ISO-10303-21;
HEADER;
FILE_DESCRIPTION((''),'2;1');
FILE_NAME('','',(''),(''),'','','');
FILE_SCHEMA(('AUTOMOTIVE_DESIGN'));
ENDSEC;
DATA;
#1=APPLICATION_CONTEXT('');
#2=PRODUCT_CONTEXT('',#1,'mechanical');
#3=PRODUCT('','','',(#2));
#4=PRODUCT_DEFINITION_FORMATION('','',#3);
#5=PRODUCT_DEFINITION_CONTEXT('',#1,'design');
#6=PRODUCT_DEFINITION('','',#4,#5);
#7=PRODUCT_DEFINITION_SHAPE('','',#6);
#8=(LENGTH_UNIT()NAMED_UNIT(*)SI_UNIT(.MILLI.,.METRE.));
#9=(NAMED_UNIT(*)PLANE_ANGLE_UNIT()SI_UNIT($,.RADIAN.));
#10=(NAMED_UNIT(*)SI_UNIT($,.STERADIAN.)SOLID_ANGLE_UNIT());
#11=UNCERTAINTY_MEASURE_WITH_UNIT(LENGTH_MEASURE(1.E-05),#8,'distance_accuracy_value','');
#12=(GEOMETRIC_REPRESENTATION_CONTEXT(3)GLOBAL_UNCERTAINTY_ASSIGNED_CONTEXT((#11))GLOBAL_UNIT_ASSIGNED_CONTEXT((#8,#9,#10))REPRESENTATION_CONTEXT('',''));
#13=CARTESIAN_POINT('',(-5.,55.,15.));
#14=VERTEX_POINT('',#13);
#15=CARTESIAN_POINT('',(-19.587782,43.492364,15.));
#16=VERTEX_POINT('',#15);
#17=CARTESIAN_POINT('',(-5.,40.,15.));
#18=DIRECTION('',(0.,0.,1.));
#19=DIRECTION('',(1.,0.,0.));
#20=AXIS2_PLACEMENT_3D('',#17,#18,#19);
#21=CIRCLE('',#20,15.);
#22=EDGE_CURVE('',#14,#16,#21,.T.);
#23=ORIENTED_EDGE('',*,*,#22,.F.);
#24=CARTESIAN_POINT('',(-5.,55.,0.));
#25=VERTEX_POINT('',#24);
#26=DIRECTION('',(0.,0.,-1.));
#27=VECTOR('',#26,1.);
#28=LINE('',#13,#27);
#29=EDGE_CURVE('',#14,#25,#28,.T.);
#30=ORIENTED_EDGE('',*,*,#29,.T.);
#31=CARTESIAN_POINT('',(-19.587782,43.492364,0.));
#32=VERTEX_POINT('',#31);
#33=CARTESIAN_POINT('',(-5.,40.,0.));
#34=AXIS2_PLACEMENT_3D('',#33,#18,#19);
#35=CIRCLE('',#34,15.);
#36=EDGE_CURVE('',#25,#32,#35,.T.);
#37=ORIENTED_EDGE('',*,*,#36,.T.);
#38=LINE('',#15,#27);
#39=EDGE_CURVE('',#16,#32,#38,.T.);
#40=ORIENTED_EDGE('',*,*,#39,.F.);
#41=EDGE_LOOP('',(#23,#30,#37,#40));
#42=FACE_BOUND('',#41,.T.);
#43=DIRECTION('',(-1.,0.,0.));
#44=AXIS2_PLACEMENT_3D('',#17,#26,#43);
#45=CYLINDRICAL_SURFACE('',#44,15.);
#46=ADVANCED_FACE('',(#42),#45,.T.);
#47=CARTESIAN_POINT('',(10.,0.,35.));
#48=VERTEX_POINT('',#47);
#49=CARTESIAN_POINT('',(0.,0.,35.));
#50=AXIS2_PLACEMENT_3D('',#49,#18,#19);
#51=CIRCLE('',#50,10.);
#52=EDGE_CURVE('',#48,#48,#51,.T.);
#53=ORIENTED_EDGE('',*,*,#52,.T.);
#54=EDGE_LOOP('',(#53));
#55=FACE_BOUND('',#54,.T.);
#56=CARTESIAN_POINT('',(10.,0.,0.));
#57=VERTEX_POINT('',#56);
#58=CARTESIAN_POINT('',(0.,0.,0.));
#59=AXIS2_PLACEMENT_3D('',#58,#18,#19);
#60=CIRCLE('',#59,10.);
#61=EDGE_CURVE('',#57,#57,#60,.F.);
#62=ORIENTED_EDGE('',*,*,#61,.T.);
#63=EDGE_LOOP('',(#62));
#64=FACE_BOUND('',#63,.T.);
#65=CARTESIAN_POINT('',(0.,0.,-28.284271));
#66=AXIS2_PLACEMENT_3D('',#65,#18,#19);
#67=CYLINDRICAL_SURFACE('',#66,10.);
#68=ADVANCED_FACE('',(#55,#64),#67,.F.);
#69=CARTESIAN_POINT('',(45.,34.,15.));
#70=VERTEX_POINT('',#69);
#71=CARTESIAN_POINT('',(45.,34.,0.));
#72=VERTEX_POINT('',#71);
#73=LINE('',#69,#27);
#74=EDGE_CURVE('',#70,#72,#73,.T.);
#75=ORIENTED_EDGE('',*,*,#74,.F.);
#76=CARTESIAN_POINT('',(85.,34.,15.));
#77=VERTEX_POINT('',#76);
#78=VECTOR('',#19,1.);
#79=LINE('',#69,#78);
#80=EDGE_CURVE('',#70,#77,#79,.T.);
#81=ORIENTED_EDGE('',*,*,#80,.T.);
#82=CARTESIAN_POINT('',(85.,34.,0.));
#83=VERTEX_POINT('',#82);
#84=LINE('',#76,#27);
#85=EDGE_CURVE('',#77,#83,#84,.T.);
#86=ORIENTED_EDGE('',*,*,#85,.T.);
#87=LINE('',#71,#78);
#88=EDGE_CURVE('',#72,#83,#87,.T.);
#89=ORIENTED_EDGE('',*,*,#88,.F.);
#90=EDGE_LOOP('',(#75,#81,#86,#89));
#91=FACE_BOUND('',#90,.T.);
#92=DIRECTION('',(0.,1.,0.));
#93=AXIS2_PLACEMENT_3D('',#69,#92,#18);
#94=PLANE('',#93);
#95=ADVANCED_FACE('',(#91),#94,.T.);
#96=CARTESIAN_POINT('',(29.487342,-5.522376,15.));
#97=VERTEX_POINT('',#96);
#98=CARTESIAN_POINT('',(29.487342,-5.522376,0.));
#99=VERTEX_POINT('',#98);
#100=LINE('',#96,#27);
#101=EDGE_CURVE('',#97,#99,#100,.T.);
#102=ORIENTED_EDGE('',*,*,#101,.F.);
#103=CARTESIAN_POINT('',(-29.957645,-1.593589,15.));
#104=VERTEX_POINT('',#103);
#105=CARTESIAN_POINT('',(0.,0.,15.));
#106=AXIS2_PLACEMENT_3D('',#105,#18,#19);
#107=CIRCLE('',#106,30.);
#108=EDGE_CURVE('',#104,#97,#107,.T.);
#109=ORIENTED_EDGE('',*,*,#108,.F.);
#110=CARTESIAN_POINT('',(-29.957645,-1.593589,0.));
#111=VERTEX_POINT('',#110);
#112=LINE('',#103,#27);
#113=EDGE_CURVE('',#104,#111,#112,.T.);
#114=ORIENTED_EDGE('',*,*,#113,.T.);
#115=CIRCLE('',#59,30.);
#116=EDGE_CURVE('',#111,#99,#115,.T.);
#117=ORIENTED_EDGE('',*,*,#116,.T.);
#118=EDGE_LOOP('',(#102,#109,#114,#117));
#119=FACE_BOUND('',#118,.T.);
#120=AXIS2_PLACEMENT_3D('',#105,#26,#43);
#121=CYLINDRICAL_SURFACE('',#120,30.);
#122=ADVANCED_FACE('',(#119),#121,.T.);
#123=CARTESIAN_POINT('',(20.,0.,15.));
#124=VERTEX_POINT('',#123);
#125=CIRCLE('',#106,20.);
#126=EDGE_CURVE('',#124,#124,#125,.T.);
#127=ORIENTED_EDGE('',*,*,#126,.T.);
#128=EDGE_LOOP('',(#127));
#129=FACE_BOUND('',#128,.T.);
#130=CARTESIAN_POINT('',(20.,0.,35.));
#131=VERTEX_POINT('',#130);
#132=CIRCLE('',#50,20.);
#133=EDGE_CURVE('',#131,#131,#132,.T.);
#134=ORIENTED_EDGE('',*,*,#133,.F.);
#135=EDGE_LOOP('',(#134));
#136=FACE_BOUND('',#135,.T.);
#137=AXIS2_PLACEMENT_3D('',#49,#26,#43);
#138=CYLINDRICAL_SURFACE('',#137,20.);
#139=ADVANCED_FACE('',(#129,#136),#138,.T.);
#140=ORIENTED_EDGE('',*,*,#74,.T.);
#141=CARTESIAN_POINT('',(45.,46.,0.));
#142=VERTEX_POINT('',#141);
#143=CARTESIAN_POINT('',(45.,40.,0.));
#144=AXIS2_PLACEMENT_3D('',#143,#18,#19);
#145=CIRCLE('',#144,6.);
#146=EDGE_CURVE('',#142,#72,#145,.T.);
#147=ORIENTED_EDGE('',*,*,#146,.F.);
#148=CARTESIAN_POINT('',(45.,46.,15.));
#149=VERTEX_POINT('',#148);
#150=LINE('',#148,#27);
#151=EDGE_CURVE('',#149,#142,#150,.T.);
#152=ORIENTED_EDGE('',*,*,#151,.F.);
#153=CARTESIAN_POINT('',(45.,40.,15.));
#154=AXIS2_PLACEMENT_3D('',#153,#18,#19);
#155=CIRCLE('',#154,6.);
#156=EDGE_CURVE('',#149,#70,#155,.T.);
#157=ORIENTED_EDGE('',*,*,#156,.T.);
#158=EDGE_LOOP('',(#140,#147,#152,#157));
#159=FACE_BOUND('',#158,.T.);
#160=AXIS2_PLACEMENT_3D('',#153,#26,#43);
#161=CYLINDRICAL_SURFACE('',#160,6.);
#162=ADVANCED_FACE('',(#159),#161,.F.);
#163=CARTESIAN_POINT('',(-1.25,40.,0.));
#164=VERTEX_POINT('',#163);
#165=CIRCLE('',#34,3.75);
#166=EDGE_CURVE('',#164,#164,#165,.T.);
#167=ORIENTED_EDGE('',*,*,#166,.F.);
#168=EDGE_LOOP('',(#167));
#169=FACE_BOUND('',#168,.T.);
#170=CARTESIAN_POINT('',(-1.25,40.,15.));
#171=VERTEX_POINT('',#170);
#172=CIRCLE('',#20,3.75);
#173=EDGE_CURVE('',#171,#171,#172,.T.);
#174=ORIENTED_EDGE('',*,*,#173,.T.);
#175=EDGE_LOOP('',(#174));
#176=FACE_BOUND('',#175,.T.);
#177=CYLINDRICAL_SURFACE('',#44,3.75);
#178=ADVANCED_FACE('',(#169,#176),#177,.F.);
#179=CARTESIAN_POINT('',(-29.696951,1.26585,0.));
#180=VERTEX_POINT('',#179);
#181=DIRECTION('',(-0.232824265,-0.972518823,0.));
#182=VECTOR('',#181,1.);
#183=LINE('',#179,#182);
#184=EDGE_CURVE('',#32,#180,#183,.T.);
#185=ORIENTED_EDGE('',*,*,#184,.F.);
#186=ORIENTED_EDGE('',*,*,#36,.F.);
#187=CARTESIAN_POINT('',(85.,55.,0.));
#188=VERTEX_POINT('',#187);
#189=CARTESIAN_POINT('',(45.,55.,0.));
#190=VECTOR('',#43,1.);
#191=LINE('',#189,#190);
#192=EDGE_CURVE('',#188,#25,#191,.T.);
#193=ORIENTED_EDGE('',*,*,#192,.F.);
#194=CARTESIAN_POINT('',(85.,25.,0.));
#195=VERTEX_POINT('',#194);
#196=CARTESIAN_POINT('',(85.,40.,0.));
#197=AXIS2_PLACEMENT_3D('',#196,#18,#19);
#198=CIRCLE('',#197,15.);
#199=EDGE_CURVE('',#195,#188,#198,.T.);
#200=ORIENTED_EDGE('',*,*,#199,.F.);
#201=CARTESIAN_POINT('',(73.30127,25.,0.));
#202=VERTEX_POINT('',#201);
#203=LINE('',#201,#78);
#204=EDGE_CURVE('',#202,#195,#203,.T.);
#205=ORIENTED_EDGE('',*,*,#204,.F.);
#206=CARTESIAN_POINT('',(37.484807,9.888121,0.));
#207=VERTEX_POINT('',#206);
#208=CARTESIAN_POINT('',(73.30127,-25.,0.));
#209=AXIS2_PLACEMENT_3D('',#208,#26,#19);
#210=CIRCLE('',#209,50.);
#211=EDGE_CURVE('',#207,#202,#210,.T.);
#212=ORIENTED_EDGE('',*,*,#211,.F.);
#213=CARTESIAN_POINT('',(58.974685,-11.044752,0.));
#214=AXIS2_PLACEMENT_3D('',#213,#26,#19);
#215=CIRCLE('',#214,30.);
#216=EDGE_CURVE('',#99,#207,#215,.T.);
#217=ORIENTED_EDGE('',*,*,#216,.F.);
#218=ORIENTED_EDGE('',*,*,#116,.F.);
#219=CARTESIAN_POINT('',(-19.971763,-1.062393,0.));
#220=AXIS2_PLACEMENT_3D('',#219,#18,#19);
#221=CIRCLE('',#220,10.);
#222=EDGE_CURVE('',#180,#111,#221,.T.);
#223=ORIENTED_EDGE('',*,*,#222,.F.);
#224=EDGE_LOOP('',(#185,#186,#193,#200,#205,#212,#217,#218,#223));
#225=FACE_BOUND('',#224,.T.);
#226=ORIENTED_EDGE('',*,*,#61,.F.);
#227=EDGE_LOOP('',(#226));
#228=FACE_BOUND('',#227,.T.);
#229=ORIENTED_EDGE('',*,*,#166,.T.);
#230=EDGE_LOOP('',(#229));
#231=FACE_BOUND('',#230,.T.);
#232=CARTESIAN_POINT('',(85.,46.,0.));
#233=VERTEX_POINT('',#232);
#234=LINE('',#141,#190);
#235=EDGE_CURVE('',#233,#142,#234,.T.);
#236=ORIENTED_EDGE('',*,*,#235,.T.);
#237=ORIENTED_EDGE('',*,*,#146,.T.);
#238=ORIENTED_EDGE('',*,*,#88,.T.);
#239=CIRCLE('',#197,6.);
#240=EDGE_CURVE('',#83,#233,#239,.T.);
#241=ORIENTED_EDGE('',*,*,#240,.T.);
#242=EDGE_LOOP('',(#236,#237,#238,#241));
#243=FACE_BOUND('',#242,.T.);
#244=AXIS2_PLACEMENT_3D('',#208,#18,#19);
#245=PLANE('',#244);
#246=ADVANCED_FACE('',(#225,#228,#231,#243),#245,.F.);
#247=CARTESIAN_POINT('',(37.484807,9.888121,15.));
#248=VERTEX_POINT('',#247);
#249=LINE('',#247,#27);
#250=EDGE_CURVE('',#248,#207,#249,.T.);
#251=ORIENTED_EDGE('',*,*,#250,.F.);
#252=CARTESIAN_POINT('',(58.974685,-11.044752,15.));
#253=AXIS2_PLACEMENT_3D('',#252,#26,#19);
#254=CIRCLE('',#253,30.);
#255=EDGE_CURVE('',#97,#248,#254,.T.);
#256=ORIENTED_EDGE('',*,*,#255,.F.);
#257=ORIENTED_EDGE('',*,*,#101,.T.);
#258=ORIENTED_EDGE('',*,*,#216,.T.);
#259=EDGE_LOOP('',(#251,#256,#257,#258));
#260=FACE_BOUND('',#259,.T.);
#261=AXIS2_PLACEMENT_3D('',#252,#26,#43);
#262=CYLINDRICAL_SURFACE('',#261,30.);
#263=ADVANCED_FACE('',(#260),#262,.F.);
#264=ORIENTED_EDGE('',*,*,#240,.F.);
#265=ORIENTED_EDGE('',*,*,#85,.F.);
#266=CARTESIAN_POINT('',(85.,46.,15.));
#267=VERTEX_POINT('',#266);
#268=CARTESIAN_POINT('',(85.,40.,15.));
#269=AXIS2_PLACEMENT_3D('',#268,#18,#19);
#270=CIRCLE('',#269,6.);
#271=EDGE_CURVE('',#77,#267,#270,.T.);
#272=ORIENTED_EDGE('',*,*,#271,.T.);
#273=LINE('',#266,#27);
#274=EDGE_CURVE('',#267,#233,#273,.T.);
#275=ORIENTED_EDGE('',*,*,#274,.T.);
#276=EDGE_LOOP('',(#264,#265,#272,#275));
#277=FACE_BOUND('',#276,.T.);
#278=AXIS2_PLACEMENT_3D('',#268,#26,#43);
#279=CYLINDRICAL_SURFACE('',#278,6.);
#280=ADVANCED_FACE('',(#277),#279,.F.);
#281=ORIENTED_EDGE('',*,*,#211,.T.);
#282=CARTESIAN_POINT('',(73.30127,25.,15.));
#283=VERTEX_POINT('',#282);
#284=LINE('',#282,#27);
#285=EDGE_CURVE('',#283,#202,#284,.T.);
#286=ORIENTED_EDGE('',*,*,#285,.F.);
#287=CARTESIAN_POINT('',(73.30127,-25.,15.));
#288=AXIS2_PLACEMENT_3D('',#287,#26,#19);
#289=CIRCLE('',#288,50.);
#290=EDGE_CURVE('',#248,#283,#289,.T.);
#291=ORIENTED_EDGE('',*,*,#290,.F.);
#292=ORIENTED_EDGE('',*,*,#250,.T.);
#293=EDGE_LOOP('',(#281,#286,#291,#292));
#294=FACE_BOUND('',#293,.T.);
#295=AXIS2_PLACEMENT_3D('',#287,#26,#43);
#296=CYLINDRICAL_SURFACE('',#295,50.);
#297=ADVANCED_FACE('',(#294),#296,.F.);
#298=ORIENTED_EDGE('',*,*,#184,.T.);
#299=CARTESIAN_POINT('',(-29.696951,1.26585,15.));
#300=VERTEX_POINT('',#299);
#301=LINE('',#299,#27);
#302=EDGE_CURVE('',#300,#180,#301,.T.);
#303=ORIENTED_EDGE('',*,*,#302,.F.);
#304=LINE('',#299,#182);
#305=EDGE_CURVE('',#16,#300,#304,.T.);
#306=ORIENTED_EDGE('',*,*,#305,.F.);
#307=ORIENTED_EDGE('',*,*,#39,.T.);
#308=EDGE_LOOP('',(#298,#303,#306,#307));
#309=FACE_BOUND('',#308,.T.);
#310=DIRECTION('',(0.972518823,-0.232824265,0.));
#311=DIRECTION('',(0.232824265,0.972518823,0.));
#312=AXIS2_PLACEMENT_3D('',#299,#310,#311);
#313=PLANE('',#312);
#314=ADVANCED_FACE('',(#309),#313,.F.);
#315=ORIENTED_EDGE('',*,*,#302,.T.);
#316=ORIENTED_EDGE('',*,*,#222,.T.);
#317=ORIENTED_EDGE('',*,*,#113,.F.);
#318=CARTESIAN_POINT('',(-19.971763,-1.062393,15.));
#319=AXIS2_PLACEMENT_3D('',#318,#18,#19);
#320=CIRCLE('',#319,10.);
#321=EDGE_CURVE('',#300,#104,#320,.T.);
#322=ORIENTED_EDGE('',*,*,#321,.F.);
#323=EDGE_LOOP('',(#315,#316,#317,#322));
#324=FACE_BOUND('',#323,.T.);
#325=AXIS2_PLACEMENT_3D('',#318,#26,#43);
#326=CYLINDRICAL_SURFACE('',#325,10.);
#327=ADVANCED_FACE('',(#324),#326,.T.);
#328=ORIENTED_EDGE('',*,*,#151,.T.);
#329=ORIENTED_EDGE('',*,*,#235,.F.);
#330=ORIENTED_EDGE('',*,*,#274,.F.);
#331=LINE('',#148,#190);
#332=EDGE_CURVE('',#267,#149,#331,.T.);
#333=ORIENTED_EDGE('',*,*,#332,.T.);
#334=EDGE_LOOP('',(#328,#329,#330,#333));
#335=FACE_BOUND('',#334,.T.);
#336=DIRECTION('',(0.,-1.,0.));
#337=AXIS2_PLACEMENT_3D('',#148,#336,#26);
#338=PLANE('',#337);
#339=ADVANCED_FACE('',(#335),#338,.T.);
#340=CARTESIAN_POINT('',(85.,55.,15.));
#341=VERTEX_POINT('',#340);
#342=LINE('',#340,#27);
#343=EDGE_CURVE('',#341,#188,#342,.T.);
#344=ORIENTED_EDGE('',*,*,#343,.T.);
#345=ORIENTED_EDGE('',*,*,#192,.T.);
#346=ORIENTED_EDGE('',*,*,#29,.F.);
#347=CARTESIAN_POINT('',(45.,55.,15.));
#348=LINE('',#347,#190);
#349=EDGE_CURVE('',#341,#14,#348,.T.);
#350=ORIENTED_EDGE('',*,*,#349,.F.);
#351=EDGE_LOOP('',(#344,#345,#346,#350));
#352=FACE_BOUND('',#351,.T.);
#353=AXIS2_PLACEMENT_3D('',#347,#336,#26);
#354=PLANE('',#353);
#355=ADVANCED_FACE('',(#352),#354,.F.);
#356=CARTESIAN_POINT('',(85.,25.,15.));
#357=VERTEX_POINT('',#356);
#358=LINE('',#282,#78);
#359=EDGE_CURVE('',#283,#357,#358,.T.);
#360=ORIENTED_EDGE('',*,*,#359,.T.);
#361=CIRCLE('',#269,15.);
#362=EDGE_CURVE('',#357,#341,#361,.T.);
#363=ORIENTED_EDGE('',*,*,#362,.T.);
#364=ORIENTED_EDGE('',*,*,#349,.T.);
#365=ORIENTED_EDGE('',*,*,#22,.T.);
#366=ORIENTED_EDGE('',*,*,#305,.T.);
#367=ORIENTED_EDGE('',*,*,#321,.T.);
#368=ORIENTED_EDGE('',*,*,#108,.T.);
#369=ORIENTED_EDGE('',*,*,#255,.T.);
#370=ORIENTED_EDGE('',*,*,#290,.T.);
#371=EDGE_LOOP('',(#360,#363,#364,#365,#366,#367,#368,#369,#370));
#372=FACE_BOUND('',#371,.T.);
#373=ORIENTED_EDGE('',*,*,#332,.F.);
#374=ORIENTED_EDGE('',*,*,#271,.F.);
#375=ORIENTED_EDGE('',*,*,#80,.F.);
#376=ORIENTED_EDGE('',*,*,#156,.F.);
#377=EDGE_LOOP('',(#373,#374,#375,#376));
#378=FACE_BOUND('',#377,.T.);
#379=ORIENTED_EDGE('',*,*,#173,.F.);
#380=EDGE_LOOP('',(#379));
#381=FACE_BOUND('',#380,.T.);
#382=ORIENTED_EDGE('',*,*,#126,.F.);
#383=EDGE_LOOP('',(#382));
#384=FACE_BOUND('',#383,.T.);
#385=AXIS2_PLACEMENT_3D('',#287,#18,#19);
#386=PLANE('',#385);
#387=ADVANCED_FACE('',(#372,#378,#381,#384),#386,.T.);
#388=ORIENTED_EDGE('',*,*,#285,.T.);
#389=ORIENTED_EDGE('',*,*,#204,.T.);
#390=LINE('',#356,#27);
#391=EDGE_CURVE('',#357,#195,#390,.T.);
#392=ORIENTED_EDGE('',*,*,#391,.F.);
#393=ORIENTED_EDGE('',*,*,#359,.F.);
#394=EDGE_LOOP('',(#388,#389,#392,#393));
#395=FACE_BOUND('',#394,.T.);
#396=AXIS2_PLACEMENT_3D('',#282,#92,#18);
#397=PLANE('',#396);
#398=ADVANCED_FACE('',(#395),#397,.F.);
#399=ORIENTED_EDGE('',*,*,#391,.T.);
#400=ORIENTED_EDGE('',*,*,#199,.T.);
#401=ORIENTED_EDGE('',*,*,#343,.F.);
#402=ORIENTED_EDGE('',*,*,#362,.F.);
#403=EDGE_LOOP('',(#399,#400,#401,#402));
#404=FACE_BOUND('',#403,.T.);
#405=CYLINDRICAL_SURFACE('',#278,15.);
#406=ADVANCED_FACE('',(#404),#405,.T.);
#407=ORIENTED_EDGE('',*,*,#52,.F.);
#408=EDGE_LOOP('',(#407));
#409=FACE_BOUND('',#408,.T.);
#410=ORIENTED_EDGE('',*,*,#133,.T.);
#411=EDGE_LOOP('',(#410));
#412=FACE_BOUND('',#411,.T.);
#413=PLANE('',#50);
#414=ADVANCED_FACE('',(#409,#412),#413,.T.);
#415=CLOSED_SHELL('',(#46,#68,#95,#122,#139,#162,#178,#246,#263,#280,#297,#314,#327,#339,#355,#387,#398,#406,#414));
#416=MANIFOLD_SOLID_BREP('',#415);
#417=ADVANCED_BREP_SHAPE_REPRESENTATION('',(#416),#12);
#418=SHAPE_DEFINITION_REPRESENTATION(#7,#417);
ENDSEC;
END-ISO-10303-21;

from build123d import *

# Parameters (mm, degrees)
SKETCH1_R           = 3.75
BOSS_EXTRUDE1_DEPTH = 15
SKETCH2_R           = 20
BOSS_EXTRUDE2_DEPTH = 20
SKETCH4_R           = 10
CUT_EXTRUDE1_DEPTH  = 35


with BuildPart() as part:
    # Sketch1 → Boss-Extrude1 (new body)
    with BuildSketch(Plane.XY):
        with BuildLine():
            Line((45, 55), (85, 55))
            ThreePointArc((85, 55), (100, 40), (85, 25))
            Line((85, 25), (73.301270189, 25))
            ThreePointArc((73.301270189, 25), (53.864269805, 21.067374747), (37.484806964, 9.888120643))
            ThreePointArc((37.484806964, 9.888120643), (32.346878, 2.774072366), (29.48734245, -5.522375871))
            ThreePointArc((29.48734245, -5.522375871), (-1.978417772, -29.934693303), (-29.957644649, -1.593589371))
            ThreePointArc((-29.957644649, -1.593589371), (-29.930461106, -0.154464501), (-29.696951333, 1.265849732))
            Line((-29.696951333, 1.265849732), (-19.587782351, 43.492363969))
            ThreePointArc((-19.587782351, 43.492363969), (-14.290170624, 51.776787753), (-5, 55))
            Line((-5, 55), (45, 55))
        make_face()
        with Locations((-5, 40)):
            Circle(SKETCH1_R, mode=Mode.SUBTRACT)
        with BuildLine():
            Line((45, 46), (85, 46))
            ThreePointArc((85, 46), (91, 40), (85, 34))
            Line((85, 34), (45, 34))
            ThreePointArc((45, 34), (39, 40), (45, 46))
        make_face(mode=Mode.SUBTRACT)
    extrude(amount=BOSS_EXTRUDE1_DEPTH)

    # Sketch2 → Boss-Extrude2 (add)
    with BuildSketch(Plane.XY.offset(15)):
        Circle(SKETCH2_R)
    extrude(amount=BOSS_EXTRUDE2_DEPTH)

    # Sketch4 → Cut-Extrude1 (cut)
    with BuildSketch(Plane.XY.offset(35)):
        Circle(SKETCH4_R)
    extrude(amount=-CUT_EXTRUDE1_DEPTH, mode=Mode.SUBTRACT)


solid = part.part
